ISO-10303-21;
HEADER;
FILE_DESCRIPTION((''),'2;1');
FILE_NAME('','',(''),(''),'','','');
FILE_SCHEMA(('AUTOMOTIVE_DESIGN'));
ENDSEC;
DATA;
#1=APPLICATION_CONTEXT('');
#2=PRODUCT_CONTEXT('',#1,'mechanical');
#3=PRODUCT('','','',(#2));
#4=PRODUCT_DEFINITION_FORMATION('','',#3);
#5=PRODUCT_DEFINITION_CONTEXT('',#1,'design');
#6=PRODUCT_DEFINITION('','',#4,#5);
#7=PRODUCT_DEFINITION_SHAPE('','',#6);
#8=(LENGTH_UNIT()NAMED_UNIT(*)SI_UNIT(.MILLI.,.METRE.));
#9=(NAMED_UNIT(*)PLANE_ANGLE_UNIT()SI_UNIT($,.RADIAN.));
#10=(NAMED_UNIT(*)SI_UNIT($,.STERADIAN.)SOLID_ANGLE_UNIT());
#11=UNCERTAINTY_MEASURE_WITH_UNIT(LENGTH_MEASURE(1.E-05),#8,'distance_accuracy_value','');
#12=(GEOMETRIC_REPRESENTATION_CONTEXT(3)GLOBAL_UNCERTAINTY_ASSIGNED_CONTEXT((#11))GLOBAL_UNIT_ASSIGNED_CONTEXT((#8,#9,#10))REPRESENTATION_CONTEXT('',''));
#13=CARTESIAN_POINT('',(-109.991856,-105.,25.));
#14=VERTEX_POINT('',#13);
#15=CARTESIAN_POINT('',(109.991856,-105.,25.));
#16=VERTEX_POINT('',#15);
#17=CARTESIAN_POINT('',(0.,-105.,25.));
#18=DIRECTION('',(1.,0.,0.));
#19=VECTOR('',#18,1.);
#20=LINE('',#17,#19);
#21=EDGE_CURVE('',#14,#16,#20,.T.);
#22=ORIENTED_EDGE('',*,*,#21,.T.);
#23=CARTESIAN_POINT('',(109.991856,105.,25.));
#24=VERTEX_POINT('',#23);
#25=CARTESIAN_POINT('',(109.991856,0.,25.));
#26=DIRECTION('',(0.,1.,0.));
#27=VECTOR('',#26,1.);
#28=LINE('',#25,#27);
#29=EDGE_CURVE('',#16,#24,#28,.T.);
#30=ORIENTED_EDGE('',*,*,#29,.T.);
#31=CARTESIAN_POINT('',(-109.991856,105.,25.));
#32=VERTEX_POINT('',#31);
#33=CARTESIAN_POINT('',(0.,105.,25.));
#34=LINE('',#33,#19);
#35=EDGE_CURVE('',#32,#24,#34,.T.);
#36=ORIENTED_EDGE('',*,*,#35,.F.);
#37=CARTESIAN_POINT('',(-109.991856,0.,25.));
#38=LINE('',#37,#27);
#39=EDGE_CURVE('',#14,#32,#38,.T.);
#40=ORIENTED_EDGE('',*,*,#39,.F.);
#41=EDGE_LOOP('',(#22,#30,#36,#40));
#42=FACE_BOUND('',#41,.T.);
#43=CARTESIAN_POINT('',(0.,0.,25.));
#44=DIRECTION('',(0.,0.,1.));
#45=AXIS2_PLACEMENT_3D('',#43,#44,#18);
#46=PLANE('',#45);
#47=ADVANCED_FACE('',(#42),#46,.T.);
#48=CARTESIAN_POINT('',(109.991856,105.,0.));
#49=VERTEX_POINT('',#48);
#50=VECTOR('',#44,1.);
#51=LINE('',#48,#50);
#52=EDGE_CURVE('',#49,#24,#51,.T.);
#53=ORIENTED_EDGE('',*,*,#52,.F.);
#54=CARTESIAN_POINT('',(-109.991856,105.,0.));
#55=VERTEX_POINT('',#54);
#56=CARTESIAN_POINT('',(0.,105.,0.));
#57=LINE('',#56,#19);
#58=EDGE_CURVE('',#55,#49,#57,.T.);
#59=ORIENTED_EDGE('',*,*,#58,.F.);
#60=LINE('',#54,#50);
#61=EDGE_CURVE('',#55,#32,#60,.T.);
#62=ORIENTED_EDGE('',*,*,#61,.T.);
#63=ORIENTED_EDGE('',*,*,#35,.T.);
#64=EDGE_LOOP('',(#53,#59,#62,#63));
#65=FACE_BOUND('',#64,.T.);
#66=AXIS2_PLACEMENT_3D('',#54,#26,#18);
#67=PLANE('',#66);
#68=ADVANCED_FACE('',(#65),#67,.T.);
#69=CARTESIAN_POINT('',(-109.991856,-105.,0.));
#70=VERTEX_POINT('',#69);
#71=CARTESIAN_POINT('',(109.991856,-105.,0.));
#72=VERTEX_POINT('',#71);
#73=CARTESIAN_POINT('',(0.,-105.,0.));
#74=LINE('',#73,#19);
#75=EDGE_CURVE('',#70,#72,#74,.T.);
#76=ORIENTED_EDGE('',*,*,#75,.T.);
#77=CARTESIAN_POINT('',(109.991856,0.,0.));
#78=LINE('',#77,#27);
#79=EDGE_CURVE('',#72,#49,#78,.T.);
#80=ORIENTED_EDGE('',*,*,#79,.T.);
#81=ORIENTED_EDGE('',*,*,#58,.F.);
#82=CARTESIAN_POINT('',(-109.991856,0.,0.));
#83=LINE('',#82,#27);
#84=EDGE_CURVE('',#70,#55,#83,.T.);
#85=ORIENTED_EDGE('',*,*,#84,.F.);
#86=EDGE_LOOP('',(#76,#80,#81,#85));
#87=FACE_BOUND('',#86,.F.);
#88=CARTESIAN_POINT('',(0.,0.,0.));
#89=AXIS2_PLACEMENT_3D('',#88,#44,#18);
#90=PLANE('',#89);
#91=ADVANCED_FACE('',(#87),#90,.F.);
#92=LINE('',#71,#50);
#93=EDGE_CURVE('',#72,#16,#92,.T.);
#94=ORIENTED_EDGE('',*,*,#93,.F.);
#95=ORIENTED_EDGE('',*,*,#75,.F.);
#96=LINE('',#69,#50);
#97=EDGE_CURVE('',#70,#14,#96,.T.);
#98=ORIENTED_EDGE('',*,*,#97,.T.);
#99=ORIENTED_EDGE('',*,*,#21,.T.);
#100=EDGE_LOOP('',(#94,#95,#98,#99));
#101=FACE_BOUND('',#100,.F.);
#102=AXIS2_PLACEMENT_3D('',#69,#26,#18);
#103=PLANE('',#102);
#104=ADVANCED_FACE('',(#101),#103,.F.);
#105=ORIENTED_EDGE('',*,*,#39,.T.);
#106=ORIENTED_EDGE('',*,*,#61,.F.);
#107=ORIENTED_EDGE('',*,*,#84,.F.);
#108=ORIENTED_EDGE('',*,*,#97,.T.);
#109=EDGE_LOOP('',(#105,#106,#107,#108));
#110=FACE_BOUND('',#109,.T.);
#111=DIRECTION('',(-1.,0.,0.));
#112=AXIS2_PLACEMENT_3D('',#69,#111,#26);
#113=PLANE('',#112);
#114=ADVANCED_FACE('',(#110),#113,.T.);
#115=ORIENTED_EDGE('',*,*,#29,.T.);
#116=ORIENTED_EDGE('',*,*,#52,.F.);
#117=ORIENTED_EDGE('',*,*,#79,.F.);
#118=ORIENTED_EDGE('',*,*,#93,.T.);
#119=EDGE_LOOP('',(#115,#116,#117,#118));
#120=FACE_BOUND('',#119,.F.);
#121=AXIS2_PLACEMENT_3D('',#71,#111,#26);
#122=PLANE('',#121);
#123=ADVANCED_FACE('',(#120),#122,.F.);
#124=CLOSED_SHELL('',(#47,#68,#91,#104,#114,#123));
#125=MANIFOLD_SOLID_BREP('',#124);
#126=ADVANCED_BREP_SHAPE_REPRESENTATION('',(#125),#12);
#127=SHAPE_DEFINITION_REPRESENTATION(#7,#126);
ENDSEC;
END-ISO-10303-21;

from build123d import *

# Parameters (mm, degrees)
F0_W     = 219.983712
F0_H     = 210
F1_DEPTH = 25
F2_W     = 168.755014
F2_H     = 180
F3_DEPTH = 8


with BuildPart() as f1:
    # F0 (on Top) → F1 (new body)
    with BuildSketch(Plane.XY):
        Rectangle(F0_W, F0_H)
    extrude(amount=F1_DEPTH)

    # F2 (on face) → F3 (cut)
    with BuildSketch(Plane.XY.offset(25)):
        Rectangle(F2_W, F2_H)
    extrude(amount=F3_DEPTH, mode=Mode.SUBTRACT)


solid = f1.part
